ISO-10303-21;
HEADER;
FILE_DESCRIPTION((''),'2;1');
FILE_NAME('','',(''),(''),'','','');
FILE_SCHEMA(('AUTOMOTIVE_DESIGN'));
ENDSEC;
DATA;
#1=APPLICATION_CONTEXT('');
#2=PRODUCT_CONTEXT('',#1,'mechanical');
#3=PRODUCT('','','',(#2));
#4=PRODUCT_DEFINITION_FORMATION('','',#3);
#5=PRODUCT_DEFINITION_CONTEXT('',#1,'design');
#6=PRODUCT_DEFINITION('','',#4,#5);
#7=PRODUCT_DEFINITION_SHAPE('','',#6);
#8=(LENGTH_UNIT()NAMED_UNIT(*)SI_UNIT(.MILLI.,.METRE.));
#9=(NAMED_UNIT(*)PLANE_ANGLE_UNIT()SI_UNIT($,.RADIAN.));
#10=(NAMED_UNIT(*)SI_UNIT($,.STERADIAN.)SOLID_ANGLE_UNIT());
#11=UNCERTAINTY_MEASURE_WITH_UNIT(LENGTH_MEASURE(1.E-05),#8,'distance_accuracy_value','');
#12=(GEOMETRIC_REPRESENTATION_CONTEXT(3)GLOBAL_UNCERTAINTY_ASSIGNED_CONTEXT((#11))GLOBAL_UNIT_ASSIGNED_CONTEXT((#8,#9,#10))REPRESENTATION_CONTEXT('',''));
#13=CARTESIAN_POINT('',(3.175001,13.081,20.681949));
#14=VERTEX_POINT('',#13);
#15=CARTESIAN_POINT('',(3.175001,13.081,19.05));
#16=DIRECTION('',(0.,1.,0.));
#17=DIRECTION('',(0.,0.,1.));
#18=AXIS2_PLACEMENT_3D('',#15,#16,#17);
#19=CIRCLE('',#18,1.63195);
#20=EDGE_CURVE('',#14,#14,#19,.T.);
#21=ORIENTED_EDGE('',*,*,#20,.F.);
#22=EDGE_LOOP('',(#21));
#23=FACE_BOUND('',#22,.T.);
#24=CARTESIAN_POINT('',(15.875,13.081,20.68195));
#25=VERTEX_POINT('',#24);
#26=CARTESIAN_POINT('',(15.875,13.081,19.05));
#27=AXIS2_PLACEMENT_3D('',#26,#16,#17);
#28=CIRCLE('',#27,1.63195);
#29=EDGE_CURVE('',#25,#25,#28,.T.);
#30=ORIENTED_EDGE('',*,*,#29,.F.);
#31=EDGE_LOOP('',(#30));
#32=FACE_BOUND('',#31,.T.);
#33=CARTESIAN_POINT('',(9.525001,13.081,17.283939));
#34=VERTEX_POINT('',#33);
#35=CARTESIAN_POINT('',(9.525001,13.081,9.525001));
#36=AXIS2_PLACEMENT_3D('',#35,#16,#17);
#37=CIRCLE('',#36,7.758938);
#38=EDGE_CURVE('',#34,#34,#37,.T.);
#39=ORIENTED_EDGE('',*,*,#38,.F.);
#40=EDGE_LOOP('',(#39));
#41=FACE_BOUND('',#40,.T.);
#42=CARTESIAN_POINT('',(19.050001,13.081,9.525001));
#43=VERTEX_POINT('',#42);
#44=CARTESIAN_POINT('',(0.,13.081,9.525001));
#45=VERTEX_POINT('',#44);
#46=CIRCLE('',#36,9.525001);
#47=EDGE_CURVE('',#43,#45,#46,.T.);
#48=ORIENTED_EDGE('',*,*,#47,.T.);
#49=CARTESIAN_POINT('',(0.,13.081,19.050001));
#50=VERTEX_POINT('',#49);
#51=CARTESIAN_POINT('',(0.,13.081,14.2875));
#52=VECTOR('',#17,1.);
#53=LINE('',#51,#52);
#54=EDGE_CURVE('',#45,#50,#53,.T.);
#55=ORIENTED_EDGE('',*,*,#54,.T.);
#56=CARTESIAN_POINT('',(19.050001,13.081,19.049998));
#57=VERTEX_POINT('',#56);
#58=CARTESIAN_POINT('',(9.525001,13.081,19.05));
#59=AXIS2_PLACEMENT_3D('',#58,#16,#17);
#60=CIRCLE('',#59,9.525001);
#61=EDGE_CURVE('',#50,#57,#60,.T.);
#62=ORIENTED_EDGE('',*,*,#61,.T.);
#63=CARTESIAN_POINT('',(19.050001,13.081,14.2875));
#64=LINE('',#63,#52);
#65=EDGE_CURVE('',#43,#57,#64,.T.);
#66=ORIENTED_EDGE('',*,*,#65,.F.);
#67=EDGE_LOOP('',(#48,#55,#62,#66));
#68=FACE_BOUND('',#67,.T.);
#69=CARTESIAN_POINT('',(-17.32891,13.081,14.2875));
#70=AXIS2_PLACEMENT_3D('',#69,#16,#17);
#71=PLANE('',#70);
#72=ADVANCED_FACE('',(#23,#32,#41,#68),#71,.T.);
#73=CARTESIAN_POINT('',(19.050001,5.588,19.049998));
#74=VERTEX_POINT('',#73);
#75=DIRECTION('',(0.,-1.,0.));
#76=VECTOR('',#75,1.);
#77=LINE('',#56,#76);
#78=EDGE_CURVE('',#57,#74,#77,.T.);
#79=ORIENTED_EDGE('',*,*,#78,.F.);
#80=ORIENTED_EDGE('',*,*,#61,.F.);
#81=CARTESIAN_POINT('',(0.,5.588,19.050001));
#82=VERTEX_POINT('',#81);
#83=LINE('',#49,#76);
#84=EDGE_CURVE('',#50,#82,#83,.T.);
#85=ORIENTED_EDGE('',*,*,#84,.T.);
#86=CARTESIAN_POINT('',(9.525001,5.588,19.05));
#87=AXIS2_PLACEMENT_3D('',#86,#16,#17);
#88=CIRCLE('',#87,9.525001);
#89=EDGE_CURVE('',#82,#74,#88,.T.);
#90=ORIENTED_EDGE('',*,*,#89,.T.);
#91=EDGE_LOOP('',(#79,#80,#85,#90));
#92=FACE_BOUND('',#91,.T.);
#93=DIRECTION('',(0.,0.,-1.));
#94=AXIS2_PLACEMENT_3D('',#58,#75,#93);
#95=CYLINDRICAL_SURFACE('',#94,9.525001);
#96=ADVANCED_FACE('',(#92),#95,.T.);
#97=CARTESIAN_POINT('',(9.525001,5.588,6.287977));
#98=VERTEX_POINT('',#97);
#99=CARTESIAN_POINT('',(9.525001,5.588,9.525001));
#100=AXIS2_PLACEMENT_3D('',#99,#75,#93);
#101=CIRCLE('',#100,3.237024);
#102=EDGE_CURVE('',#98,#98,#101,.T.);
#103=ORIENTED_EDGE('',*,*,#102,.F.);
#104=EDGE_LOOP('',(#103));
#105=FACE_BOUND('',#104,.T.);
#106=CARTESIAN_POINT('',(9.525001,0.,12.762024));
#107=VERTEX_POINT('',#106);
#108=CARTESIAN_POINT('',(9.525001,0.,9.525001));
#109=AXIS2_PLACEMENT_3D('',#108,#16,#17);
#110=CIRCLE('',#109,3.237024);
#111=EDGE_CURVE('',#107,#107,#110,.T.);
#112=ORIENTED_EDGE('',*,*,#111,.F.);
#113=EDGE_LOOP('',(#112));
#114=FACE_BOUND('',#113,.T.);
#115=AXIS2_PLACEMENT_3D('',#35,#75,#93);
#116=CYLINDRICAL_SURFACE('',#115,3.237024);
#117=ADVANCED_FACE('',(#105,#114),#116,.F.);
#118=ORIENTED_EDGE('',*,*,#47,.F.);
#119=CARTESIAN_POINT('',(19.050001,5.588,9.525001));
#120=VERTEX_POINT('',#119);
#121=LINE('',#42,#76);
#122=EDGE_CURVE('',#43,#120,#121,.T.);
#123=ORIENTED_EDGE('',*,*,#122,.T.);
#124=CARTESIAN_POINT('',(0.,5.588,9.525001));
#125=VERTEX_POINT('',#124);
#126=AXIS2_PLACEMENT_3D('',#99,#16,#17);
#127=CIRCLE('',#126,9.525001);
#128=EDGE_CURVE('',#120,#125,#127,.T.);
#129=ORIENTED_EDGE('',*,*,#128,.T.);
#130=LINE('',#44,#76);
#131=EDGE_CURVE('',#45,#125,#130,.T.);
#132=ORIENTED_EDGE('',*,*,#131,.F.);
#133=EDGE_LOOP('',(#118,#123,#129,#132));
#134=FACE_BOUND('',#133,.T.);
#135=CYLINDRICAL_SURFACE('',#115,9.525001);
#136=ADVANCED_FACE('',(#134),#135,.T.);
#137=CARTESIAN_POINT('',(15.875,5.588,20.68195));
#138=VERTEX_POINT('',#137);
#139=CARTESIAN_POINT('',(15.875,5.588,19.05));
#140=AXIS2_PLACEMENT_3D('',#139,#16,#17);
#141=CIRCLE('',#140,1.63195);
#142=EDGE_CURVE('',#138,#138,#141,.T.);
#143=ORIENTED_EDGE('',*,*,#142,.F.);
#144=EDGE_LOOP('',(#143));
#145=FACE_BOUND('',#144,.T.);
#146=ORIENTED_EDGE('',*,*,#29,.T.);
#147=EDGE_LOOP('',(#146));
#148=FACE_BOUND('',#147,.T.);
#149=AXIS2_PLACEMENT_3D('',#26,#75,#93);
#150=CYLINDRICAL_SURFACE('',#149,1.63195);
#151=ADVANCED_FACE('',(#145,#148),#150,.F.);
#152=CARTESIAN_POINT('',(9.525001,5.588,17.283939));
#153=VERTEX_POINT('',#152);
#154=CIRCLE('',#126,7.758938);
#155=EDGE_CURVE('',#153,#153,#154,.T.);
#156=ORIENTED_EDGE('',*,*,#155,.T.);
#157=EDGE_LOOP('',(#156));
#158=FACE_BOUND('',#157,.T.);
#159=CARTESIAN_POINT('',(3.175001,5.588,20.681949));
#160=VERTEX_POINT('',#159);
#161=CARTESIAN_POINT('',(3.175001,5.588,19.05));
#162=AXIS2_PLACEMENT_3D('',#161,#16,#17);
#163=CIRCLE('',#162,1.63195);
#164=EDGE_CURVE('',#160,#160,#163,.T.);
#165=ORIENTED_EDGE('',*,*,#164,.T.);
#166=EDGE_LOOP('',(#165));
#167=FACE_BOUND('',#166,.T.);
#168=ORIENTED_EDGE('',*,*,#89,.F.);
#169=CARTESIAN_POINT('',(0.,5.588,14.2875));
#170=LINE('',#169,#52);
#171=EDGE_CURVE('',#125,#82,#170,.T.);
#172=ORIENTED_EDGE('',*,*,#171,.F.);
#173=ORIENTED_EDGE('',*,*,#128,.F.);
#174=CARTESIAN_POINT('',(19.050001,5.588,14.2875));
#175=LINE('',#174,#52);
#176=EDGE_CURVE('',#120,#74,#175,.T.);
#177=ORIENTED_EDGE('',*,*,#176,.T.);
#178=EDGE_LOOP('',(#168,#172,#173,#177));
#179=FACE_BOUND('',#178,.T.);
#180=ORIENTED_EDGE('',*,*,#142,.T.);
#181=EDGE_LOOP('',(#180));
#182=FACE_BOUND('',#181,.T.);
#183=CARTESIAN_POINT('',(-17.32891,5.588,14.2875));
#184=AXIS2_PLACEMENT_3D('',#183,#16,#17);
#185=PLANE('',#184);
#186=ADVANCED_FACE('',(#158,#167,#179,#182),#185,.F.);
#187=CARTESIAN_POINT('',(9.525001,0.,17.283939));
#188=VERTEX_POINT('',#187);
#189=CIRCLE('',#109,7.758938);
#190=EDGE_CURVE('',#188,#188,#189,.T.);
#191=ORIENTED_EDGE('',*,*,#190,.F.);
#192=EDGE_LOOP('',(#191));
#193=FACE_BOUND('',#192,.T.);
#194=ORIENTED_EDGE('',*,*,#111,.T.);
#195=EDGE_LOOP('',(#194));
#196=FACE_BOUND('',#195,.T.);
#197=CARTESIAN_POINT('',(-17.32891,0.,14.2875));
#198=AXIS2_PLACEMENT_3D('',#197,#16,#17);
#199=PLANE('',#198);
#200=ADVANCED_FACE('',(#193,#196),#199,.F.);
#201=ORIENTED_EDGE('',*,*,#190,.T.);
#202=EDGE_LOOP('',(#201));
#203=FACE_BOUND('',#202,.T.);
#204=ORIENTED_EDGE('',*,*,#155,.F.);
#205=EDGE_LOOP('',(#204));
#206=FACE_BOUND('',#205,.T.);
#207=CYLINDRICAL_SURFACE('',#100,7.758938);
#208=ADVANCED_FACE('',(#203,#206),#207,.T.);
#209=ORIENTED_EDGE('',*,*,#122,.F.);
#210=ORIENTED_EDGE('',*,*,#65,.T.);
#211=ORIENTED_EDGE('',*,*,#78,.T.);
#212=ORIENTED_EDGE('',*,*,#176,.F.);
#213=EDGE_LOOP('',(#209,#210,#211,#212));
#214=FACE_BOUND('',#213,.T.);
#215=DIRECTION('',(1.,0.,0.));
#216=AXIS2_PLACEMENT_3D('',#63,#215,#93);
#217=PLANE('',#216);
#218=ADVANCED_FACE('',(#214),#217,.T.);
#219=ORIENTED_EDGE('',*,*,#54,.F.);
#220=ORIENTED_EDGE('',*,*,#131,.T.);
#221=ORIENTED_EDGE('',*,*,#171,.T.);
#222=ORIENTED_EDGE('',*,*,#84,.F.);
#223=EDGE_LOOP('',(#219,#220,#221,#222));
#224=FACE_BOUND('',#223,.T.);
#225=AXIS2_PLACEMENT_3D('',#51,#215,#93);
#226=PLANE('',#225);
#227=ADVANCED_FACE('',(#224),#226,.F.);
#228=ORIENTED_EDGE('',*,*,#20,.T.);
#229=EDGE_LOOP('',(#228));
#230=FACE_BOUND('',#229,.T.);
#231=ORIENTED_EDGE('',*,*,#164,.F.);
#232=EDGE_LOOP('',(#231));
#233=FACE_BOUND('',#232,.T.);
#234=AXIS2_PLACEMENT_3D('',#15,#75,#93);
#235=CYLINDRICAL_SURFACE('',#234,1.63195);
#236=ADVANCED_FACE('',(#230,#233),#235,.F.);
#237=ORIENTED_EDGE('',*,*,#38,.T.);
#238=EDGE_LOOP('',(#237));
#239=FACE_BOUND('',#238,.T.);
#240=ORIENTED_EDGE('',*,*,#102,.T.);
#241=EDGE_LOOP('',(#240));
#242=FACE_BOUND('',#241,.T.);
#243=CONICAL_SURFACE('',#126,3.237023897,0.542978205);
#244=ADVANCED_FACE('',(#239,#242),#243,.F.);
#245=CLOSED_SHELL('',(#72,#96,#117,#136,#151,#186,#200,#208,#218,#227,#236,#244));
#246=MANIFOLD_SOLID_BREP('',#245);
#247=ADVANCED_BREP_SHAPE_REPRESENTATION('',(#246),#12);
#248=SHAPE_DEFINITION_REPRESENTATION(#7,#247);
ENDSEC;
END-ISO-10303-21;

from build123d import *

# Parameters (mm, degrees)
SKETCH_315_R        = 3.237023897
SKETCH_315_R_2      = 1.631949552
SKETCH_315_R_3      = 1.631949719
EXTRUDE_1058_DEPTH  = 13.081
SKETCH_4_R          = 7.758938489
SKETCH_4_R_2        = 1.631949552
SKETCH_4_R_3        = 1.631949719
SKETCH_4_R_4        = 3.237023897
CUT_EXTRUDE_3_DEPTH = 5.588
SKETCH_4_2_R        = 7.758938489
SKETCH_5_R          = 3.237023897


with BuildPart() as part:
    # Sketch 315 → Extrude 1058 (new body)
    with BuildSketch(Plane(origin=(0, 0, 0), x_dir=(1, 0, 0), z_dir=(0, 1, 0))):
        with BuildLine():
            Line((0, -9.525000572), (0, -19.050001144))
            ThreePointArc((0, -19.050001144), (9.525002003, -28.575000286), (19.050001144, -19.049998283))
            Line((19.050001144, -19.049998283), (19.050001144, -9.525000572))
            ThreePointArc((19.050001144, -9.525000572), (9.525000572, 0), (0, -9.525000572))
        make_face()
        with Locations(Location((9.525000572, -9.525000572, 0), (0, 0, 270))):
            Circle(SKETCH_315_R, mode=Mode.SUBTRACT)
        with Locations(Location((3.175000612, -19.049999854, 0), (0, 0, 270))):
            Circle(SKETCH_315_R_2, mode=Mode.SUBTRACT)
        with Locations(Location((15.874999739, -19.050000406, 0), (0, 0, 270))):
            Circle(SKETCH_315_R_3, mode=Mode.SUBTRACT)
    extrude(amount=EXTRUDE_1058_DEPTH)

    # Sketch 4 → 拉伸3 (cut)
    # profile 1 of 2: a face of its own
    with BuildSketch(Plane(origin=(0, 0, 0), x_dir=(1, 0, 0), z_dir=(0, 1, 0))):
        with BuildLine():
            Line((0, -9.525000572), (0, -19.050001144))
            ThreePointArc((0, -19.050001144), (9.525002003, -28.575000286), (19.050001144, -19.049998283))
            Line((19.050001144, -19.049998283), (19.050001144, -9.525000572))
            ThreePointArc((19.050001144, -9.525000572), (9.525000572, 0), (0, -9.525000572))
        make_face()
        with Locations(Location((9.525000572, -9.525000572, 0), (0, 0, 270))):
            Circle(SKETCH_4_R, mode=Mode.SUBTRACT)
        with Locations(Location((3.175000612, -19.049999854, 0), (0, 0, 270))):
            Circle(SKETCH_4_R_2, mode=Mode.SUBTRACT)
        with Locations(Location((15.874999739, -19.050000406, 0), (0, 0, 270))):
            Circle(SKETCH_4_R_3, mode=Mode.SUBTRACT)
    # profile 2 of 2: a face of its own
    with BuildSketch(Plane(origin=(0, 0, 0), x_dir=(1, 0, 0), z_dir=(0, 1, 0))):
        with Locations(Location((9.525000572, -9.525000572, 0), (0, 0, 270))):
            Circle(SKETCH_4_R_4)
    extrude(amount=CUT_EXTRUDE_3_DEPTH, mode=Mode.SUBTRACT)

    # Sketch 4 2 → 切除-放样1 section 0
    with BuildSketch(Plane(origin=(0, 13.081000328, 0), x_dir=(1, 0, 0), z_dir=(0, 1, 0))):
        with Locations((9.525000572, -9.525000572)):
            Circle(SKETCH_4_2_R)
    # 草图5 → 切除-放样1 section 1
    with BuildSketch(Plane.XZ.offset(-5.588000298)):
        with Locations((9.525000572, 9.525000572)):
            Circle(SKETCH_5_R)
    loft(mode=Mode.SUBTRACT)


solid = part.part
